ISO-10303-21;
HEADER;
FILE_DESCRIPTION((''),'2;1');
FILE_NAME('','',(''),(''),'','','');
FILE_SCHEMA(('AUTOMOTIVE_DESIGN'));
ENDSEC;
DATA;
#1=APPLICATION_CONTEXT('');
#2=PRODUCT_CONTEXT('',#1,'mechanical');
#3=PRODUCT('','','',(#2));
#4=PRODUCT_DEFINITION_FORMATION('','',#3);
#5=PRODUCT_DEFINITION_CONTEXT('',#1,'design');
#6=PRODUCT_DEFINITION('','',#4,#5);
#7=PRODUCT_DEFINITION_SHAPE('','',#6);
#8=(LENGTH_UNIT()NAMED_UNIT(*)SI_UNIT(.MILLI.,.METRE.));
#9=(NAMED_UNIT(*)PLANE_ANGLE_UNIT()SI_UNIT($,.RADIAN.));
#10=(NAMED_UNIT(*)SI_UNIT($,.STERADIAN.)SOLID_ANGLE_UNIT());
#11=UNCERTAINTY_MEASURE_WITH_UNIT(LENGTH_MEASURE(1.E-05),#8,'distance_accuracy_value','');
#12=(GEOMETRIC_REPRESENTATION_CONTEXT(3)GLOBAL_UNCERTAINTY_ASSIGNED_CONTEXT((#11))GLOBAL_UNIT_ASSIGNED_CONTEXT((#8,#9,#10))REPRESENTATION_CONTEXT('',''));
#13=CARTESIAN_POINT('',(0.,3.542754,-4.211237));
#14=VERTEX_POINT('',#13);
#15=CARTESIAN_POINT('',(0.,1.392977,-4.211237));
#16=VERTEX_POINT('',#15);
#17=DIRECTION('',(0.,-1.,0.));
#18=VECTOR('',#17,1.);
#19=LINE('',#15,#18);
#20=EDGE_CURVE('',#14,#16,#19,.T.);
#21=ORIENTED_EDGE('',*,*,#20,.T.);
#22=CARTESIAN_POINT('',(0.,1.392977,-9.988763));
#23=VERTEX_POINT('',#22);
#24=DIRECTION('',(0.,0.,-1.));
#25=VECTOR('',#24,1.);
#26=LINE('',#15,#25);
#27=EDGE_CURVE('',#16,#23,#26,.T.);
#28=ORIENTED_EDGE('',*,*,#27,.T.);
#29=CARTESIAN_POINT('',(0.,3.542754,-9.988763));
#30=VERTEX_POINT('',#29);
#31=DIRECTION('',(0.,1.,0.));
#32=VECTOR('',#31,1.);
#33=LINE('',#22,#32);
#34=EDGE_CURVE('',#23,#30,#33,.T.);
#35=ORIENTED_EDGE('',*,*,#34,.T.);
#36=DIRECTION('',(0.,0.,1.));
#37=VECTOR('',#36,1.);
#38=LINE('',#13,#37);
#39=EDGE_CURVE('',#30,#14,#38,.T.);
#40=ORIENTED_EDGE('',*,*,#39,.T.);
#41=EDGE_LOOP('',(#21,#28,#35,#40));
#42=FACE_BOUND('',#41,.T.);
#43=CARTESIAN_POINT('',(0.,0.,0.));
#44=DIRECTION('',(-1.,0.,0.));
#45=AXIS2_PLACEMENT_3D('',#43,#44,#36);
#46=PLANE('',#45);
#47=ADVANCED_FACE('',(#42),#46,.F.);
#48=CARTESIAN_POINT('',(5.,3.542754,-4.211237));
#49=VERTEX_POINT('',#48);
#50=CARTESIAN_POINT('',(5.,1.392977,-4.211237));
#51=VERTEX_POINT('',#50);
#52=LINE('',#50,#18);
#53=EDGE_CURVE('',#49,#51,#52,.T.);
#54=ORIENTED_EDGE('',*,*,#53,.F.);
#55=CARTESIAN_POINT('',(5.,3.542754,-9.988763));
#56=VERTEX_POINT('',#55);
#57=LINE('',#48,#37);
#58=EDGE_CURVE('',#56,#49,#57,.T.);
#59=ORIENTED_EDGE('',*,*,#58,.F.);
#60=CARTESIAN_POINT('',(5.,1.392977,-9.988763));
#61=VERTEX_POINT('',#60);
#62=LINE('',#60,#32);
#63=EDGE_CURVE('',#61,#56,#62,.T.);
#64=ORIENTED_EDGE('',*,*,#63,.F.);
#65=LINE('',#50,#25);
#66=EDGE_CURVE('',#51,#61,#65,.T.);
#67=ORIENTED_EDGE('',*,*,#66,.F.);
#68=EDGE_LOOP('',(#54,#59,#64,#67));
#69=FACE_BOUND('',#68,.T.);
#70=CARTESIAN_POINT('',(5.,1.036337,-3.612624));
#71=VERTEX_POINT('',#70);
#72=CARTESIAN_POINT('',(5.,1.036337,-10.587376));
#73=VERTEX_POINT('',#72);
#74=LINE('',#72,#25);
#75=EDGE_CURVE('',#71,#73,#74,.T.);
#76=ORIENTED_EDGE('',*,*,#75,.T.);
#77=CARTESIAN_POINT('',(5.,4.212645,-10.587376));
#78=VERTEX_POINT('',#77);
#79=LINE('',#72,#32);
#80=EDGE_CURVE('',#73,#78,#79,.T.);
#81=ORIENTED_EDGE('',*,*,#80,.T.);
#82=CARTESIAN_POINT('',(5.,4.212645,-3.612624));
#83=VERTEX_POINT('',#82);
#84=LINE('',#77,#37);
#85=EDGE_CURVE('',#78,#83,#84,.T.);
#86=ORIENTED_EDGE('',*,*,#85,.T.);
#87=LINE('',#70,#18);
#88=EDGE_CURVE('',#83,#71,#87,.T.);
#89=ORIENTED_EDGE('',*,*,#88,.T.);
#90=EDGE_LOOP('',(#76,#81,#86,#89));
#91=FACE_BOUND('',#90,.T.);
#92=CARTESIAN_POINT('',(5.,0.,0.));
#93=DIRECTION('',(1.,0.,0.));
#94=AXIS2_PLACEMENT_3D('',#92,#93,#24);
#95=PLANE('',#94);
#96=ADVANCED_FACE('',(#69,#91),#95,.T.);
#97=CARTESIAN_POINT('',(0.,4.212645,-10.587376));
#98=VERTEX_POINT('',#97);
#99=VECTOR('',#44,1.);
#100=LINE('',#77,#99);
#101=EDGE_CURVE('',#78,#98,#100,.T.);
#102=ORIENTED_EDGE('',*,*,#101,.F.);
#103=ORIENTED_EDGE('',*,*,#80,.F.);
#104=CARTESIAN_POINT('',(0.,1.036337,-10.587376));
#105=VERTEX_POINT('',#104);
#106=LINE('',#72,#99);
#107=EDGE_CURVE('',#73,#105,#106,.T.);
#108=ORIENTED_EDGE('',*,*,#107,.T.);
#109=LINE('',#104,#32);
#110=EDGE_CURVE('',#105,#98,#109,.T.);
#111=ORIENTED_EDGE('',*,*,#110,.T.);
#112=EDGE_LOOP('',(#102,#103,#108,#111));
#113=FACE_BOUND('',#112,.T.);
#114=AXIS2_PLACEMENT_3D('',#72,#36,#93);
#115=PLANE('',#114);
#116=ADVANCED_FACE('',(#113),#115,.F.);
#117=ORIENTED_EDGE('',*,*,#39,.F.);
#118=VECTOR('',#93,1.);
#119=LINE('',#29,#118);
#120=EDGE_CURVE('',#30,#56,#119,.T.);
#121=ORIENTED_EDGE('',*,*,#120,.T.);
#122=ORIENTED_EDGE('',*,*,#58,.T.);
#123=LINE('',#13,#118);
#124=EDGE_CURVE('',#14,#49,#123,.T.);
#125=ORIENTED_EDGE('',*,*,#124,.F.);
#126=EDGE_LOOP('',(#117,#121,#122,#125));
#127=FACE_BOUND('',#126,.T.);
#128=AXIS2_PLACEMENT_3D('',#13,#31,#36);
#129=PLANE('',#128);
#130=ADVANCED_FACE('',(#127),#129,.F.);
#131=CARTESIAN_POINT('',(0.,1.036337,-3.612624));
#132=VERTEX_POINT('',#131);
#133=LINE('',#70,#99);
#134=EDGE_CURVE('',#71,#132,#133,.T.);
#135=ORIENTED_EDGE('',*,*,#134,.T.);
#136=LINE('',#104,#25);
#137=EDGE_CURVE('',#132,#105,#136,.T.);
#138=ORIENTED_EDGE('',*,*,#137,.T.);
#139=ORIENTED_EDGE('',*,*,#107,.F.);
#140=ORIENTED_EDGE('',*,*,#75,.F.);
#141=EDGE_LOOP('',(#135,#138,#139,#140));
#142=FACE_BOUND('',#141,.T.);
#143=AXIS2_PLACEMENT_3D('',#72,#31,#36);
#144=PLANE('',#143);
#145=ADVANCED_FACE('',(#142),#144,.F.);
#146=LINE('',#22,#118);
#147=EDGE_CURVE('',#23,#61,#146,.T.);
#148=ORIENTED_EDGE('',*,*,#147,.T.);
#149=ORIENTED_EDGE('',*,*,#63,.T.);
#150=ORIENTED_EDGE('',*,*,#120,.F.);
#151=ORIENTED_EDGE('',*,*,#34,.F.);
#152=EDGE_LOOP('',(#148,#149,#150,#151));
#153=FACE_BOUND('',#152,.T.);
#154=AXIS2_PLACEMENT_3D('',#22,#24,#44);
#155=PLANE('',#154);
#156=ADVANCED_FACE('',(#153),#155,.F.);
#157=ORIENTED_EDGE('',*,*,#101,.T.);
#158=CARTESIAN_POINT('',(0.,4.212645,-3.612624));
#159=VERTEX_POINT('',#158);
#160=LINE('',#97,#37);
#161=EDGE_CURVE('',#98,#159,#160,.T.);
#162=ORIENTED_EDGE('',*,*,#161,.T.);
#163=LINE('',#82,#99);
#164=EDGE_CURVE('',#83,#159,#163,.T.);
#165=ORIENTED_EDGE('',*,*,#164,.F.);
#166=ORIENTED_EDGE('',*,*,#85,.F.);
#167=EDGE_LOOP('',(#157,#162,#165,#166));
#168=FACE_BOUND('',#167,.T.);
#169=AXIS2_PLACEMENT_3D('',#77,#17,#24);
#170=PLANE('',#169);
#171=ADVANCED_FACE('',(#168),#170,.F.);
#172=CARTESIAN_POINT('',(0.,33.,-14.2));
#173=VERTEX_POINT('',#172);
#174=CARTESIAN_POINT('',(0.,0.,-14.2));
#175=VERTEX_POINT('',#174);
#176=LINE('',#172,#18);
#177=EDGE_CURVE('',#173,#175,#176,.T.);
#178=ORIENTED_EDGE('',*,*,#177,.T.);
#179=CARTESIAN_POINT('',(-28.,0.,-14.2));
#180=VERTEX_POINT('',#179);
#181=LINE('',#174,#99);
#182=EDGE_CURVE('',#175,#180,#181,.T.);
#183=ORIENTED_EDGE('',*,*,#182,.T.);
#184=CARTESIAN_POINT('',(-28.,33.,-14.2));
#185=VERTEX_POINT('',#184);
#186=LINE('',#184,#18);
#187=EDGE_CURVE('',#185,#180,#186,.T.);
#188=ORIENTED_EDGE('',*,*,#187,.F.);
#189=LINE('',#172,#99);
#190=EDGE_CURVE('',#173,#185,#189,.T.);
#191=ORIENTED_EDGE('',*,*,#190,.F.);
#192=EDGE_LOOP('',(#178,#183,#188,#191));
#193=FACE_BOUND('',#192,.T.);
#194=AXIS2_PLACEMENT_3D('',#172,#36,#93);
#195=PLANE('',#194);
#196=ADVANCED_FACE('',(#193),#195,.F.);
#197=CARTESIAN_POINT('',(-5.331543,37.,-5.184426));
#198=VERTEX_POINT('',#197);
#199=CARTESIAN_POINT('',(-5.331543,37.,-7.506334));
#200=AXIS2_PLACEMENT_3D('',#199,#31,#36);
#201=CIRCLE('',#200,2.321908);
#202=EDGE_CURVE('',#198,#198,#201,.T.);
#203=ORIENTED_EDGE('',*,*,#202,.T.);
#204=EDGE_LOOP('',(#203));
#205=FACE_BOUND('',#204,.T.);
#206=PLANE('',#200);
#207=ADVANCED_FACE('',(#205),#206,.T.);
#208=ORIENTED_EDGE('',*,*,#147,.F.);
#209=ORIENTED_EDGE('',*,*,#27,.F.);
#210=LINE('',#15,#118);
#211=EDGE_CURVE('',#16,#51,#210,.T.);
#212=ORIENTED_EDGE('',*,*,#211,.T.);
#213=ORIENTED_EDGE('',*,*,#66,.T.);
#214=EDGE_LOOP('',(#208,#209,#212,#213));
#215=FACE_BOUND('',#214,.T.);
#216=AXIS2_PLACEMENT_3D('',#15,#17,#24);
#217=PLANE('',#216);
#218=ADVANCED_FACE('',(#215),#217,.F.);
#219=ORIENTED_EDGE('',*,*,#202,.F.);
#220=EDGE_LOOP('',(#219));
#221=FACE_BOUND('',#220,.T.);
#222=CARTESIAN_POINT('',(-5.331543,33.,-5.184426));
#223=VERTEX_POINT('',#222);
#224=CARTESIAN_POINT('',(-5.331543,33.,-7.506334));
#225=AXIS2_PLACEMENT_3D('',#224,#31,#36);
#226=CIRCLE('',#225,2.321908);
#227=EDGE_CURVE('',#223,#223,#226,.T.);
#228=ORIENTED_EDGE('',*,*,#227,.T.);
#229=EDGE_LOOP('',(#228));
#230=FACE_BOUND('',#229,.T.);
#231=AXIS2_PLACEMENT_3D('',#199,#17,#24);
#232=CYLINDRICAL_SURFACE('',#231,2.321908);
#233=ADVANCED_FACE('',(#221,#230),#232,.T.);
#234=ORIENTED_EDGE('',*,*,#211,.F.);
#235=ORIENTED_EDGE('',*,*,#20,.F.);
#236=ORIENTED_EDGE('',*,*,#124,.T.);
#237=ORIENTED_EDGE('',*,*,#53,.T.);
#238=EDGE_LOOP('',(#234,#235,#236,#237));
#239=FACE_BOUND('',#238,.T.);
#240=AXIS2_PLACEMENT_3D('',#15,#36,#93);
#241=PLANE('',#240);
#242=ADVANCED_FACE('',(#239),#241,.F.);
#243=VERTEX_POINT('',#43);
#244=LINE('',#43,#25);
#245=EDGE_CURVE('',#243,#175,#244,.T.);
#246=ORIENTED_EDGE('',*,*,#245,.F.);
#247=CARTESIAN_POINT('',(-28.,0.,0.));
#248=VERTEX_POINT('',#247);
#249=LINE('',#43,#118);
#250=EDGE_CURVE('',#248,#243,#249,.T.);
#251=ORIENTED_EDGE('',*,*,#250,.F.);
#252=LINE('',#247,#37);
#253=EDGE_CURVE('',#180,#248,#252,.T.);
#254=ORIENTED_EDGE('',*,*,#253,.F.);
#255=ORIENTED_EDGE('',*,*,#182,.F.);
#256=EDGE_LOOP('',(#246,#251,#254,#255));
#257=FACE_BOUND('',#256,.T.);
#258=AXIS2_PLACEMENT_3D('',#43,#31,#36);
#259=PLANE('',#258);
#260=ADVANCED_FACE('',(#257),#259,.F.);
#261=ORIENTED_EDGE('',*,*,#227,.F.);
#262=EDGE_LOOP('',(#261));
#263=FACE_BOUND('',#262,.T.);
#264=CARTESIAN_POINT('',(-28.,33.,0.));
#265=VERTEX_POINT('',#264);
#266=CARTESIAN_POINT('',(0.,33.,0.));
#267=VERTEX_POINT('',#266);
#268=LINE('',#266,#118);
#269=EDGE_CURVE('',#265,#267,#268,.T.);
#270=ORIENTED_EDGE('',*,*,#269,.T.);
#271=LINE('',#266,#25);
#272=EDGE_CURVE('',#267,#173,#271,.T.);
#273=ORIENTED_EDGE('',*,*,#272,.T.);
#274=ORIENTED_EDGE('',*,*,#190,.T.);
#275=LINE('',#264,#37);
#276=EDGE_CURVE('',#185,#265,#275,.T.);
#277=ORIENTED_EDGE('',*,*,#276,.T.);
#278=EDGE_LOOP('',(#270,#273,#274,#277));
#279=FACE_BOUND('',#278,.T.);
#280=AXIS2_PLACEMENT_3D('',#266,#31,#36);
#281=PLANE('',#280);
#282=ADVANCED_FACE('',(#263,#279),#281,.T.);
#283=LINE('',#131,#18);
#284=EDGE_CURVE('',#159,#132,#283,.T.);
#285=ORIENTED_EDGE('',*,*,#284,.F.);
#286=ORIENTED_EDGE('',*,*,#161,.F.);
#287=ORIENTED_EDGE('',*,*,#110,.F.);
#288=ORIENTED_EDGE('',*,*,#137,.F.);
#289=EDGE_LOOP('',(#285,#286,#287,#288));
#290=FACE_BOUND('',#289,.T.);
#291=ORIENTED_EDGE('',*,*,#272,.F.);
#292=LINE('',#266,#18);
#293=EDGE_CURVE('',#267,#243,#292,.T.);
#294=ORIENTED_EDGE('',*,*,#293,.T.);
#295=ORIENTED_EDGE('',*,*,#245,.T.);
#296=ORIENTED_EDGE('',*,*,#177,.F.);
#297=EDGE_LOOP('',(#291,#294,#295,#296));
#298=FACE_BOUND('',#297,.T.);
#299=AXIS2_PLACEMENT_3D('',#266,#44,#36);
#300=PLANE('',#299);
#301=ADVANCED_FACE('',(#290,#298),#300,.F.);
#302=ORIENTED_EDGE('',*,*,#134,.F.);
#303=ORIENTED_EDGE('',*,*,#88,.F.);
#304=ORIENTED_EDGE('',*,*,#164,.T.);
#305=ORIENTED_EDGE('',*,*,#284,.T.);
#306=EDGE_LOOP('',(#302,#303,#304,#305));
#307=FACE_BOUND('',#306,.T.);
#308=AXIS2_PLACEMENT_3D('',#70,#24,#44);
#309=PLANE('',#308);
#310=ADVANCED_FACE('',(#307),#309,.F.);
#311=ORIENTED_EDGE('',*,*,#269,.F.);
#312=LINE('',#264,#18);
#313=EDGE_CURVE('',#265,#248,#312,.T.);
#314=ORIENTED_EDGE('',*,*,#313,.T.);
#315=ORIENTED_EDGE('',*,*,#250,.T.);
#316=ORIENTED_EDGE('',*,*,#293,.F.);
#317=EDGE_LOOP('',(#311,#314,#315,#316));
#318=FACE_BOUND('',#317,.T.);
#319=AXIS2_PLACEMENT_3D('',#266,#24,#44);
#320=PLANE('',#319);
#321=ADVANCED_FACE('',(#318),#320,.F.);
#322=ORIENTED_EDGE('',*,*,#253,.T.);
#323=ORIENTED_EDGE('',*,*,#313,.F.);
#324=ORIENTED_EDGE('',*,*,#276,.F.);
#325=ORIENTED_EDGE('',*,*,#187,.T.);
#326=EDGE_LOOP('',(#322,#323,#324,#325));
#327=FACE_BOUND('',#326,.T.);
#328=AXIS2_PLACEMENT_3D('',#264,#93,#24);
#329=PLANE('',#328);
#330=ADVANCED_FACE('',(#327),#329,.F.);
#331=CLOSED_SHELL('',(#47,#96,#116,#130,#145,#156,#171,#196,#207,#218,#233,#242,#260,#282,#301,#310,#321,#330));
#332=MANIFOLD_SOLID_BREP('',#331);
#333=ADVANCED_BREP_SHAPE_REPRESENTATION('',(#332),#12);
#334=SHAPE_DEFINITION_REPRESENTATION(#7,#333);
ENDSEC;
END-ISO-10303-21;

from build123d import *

# Parameters (mm, degrees)
SKETCH1_W           = 28
SKETCH1_H           = 14.2
BOSS_EXTRUDE1_DEPTH = 33
SKETCH2_R           = 2.321908149
BOSS_EXTRUDE3_DEPTH = 4
SKETCH3_W           = 6.974752534
SKETCH3_H           = 3.176308394
BOSS_EXTRUDE4_DEPTH = 5
SKETCH4_W           = 5.77752576
SKETCH4_H           = 2.149777027
CUT_EXTRUDE1_DEPTH  = 5


with BuildPart() as part:
    # Sketch1 → Boss-Extrude1 (new body)
    with BuildSketch(Plane(origin=(0, 0, 0), x_dir=(1, 0, 0), z_dir=(0, 1, 0))):
        with Locations((-14, 7.1)):
            Rectangle(SKETCH1_W, SKETCH1_H)
    extrude(amount=BOSS_EXTRUDE1_DEPTH)

    # Sketch2 → Boss-Extrude3 (add)
    with BuildSketch(Plane(origin=(0, 33, 0), x_dir=(1, 0, 0), z_dir=(0, 1, 0))):
        with Locations(Location((-5.331542912, 7.506333926, 0), (0, 0, 270))):
            Circle(SKETCH2_R)
    extrude(amount=BOSS_EXTRUDE3_DEPTH)

    # Sketch3 → Boss-Extrude4 (add)
    with BuildSketch(Plane(origin=(0, 0, 0), x_dir=(0, 0, -1), z_dir=(1, 0, 0))):
        with Locations((7.1, 2.624490745)):
            Rectangle(SKETCH3_W, SKETCH3_H)
    extrude(amount=BOSS_EXTRUDE4_DEPTH)

    # Sketch4 → Cut-Extrude1 (cut)
    with BuildSketch(Plane(origin=(5, 0, 0), x_dir=(0, 0, -1), z_dir=(1, 0, 0))):
        with Locations((7.1, 2.467865933)):
            Rectangle(SKETCH4_W, SKETCH4_H)
    extrude(amount=-CUT_EXTRUDE1_DEPTH, mode=Mode.SUBTRACT)


solid = part.part
